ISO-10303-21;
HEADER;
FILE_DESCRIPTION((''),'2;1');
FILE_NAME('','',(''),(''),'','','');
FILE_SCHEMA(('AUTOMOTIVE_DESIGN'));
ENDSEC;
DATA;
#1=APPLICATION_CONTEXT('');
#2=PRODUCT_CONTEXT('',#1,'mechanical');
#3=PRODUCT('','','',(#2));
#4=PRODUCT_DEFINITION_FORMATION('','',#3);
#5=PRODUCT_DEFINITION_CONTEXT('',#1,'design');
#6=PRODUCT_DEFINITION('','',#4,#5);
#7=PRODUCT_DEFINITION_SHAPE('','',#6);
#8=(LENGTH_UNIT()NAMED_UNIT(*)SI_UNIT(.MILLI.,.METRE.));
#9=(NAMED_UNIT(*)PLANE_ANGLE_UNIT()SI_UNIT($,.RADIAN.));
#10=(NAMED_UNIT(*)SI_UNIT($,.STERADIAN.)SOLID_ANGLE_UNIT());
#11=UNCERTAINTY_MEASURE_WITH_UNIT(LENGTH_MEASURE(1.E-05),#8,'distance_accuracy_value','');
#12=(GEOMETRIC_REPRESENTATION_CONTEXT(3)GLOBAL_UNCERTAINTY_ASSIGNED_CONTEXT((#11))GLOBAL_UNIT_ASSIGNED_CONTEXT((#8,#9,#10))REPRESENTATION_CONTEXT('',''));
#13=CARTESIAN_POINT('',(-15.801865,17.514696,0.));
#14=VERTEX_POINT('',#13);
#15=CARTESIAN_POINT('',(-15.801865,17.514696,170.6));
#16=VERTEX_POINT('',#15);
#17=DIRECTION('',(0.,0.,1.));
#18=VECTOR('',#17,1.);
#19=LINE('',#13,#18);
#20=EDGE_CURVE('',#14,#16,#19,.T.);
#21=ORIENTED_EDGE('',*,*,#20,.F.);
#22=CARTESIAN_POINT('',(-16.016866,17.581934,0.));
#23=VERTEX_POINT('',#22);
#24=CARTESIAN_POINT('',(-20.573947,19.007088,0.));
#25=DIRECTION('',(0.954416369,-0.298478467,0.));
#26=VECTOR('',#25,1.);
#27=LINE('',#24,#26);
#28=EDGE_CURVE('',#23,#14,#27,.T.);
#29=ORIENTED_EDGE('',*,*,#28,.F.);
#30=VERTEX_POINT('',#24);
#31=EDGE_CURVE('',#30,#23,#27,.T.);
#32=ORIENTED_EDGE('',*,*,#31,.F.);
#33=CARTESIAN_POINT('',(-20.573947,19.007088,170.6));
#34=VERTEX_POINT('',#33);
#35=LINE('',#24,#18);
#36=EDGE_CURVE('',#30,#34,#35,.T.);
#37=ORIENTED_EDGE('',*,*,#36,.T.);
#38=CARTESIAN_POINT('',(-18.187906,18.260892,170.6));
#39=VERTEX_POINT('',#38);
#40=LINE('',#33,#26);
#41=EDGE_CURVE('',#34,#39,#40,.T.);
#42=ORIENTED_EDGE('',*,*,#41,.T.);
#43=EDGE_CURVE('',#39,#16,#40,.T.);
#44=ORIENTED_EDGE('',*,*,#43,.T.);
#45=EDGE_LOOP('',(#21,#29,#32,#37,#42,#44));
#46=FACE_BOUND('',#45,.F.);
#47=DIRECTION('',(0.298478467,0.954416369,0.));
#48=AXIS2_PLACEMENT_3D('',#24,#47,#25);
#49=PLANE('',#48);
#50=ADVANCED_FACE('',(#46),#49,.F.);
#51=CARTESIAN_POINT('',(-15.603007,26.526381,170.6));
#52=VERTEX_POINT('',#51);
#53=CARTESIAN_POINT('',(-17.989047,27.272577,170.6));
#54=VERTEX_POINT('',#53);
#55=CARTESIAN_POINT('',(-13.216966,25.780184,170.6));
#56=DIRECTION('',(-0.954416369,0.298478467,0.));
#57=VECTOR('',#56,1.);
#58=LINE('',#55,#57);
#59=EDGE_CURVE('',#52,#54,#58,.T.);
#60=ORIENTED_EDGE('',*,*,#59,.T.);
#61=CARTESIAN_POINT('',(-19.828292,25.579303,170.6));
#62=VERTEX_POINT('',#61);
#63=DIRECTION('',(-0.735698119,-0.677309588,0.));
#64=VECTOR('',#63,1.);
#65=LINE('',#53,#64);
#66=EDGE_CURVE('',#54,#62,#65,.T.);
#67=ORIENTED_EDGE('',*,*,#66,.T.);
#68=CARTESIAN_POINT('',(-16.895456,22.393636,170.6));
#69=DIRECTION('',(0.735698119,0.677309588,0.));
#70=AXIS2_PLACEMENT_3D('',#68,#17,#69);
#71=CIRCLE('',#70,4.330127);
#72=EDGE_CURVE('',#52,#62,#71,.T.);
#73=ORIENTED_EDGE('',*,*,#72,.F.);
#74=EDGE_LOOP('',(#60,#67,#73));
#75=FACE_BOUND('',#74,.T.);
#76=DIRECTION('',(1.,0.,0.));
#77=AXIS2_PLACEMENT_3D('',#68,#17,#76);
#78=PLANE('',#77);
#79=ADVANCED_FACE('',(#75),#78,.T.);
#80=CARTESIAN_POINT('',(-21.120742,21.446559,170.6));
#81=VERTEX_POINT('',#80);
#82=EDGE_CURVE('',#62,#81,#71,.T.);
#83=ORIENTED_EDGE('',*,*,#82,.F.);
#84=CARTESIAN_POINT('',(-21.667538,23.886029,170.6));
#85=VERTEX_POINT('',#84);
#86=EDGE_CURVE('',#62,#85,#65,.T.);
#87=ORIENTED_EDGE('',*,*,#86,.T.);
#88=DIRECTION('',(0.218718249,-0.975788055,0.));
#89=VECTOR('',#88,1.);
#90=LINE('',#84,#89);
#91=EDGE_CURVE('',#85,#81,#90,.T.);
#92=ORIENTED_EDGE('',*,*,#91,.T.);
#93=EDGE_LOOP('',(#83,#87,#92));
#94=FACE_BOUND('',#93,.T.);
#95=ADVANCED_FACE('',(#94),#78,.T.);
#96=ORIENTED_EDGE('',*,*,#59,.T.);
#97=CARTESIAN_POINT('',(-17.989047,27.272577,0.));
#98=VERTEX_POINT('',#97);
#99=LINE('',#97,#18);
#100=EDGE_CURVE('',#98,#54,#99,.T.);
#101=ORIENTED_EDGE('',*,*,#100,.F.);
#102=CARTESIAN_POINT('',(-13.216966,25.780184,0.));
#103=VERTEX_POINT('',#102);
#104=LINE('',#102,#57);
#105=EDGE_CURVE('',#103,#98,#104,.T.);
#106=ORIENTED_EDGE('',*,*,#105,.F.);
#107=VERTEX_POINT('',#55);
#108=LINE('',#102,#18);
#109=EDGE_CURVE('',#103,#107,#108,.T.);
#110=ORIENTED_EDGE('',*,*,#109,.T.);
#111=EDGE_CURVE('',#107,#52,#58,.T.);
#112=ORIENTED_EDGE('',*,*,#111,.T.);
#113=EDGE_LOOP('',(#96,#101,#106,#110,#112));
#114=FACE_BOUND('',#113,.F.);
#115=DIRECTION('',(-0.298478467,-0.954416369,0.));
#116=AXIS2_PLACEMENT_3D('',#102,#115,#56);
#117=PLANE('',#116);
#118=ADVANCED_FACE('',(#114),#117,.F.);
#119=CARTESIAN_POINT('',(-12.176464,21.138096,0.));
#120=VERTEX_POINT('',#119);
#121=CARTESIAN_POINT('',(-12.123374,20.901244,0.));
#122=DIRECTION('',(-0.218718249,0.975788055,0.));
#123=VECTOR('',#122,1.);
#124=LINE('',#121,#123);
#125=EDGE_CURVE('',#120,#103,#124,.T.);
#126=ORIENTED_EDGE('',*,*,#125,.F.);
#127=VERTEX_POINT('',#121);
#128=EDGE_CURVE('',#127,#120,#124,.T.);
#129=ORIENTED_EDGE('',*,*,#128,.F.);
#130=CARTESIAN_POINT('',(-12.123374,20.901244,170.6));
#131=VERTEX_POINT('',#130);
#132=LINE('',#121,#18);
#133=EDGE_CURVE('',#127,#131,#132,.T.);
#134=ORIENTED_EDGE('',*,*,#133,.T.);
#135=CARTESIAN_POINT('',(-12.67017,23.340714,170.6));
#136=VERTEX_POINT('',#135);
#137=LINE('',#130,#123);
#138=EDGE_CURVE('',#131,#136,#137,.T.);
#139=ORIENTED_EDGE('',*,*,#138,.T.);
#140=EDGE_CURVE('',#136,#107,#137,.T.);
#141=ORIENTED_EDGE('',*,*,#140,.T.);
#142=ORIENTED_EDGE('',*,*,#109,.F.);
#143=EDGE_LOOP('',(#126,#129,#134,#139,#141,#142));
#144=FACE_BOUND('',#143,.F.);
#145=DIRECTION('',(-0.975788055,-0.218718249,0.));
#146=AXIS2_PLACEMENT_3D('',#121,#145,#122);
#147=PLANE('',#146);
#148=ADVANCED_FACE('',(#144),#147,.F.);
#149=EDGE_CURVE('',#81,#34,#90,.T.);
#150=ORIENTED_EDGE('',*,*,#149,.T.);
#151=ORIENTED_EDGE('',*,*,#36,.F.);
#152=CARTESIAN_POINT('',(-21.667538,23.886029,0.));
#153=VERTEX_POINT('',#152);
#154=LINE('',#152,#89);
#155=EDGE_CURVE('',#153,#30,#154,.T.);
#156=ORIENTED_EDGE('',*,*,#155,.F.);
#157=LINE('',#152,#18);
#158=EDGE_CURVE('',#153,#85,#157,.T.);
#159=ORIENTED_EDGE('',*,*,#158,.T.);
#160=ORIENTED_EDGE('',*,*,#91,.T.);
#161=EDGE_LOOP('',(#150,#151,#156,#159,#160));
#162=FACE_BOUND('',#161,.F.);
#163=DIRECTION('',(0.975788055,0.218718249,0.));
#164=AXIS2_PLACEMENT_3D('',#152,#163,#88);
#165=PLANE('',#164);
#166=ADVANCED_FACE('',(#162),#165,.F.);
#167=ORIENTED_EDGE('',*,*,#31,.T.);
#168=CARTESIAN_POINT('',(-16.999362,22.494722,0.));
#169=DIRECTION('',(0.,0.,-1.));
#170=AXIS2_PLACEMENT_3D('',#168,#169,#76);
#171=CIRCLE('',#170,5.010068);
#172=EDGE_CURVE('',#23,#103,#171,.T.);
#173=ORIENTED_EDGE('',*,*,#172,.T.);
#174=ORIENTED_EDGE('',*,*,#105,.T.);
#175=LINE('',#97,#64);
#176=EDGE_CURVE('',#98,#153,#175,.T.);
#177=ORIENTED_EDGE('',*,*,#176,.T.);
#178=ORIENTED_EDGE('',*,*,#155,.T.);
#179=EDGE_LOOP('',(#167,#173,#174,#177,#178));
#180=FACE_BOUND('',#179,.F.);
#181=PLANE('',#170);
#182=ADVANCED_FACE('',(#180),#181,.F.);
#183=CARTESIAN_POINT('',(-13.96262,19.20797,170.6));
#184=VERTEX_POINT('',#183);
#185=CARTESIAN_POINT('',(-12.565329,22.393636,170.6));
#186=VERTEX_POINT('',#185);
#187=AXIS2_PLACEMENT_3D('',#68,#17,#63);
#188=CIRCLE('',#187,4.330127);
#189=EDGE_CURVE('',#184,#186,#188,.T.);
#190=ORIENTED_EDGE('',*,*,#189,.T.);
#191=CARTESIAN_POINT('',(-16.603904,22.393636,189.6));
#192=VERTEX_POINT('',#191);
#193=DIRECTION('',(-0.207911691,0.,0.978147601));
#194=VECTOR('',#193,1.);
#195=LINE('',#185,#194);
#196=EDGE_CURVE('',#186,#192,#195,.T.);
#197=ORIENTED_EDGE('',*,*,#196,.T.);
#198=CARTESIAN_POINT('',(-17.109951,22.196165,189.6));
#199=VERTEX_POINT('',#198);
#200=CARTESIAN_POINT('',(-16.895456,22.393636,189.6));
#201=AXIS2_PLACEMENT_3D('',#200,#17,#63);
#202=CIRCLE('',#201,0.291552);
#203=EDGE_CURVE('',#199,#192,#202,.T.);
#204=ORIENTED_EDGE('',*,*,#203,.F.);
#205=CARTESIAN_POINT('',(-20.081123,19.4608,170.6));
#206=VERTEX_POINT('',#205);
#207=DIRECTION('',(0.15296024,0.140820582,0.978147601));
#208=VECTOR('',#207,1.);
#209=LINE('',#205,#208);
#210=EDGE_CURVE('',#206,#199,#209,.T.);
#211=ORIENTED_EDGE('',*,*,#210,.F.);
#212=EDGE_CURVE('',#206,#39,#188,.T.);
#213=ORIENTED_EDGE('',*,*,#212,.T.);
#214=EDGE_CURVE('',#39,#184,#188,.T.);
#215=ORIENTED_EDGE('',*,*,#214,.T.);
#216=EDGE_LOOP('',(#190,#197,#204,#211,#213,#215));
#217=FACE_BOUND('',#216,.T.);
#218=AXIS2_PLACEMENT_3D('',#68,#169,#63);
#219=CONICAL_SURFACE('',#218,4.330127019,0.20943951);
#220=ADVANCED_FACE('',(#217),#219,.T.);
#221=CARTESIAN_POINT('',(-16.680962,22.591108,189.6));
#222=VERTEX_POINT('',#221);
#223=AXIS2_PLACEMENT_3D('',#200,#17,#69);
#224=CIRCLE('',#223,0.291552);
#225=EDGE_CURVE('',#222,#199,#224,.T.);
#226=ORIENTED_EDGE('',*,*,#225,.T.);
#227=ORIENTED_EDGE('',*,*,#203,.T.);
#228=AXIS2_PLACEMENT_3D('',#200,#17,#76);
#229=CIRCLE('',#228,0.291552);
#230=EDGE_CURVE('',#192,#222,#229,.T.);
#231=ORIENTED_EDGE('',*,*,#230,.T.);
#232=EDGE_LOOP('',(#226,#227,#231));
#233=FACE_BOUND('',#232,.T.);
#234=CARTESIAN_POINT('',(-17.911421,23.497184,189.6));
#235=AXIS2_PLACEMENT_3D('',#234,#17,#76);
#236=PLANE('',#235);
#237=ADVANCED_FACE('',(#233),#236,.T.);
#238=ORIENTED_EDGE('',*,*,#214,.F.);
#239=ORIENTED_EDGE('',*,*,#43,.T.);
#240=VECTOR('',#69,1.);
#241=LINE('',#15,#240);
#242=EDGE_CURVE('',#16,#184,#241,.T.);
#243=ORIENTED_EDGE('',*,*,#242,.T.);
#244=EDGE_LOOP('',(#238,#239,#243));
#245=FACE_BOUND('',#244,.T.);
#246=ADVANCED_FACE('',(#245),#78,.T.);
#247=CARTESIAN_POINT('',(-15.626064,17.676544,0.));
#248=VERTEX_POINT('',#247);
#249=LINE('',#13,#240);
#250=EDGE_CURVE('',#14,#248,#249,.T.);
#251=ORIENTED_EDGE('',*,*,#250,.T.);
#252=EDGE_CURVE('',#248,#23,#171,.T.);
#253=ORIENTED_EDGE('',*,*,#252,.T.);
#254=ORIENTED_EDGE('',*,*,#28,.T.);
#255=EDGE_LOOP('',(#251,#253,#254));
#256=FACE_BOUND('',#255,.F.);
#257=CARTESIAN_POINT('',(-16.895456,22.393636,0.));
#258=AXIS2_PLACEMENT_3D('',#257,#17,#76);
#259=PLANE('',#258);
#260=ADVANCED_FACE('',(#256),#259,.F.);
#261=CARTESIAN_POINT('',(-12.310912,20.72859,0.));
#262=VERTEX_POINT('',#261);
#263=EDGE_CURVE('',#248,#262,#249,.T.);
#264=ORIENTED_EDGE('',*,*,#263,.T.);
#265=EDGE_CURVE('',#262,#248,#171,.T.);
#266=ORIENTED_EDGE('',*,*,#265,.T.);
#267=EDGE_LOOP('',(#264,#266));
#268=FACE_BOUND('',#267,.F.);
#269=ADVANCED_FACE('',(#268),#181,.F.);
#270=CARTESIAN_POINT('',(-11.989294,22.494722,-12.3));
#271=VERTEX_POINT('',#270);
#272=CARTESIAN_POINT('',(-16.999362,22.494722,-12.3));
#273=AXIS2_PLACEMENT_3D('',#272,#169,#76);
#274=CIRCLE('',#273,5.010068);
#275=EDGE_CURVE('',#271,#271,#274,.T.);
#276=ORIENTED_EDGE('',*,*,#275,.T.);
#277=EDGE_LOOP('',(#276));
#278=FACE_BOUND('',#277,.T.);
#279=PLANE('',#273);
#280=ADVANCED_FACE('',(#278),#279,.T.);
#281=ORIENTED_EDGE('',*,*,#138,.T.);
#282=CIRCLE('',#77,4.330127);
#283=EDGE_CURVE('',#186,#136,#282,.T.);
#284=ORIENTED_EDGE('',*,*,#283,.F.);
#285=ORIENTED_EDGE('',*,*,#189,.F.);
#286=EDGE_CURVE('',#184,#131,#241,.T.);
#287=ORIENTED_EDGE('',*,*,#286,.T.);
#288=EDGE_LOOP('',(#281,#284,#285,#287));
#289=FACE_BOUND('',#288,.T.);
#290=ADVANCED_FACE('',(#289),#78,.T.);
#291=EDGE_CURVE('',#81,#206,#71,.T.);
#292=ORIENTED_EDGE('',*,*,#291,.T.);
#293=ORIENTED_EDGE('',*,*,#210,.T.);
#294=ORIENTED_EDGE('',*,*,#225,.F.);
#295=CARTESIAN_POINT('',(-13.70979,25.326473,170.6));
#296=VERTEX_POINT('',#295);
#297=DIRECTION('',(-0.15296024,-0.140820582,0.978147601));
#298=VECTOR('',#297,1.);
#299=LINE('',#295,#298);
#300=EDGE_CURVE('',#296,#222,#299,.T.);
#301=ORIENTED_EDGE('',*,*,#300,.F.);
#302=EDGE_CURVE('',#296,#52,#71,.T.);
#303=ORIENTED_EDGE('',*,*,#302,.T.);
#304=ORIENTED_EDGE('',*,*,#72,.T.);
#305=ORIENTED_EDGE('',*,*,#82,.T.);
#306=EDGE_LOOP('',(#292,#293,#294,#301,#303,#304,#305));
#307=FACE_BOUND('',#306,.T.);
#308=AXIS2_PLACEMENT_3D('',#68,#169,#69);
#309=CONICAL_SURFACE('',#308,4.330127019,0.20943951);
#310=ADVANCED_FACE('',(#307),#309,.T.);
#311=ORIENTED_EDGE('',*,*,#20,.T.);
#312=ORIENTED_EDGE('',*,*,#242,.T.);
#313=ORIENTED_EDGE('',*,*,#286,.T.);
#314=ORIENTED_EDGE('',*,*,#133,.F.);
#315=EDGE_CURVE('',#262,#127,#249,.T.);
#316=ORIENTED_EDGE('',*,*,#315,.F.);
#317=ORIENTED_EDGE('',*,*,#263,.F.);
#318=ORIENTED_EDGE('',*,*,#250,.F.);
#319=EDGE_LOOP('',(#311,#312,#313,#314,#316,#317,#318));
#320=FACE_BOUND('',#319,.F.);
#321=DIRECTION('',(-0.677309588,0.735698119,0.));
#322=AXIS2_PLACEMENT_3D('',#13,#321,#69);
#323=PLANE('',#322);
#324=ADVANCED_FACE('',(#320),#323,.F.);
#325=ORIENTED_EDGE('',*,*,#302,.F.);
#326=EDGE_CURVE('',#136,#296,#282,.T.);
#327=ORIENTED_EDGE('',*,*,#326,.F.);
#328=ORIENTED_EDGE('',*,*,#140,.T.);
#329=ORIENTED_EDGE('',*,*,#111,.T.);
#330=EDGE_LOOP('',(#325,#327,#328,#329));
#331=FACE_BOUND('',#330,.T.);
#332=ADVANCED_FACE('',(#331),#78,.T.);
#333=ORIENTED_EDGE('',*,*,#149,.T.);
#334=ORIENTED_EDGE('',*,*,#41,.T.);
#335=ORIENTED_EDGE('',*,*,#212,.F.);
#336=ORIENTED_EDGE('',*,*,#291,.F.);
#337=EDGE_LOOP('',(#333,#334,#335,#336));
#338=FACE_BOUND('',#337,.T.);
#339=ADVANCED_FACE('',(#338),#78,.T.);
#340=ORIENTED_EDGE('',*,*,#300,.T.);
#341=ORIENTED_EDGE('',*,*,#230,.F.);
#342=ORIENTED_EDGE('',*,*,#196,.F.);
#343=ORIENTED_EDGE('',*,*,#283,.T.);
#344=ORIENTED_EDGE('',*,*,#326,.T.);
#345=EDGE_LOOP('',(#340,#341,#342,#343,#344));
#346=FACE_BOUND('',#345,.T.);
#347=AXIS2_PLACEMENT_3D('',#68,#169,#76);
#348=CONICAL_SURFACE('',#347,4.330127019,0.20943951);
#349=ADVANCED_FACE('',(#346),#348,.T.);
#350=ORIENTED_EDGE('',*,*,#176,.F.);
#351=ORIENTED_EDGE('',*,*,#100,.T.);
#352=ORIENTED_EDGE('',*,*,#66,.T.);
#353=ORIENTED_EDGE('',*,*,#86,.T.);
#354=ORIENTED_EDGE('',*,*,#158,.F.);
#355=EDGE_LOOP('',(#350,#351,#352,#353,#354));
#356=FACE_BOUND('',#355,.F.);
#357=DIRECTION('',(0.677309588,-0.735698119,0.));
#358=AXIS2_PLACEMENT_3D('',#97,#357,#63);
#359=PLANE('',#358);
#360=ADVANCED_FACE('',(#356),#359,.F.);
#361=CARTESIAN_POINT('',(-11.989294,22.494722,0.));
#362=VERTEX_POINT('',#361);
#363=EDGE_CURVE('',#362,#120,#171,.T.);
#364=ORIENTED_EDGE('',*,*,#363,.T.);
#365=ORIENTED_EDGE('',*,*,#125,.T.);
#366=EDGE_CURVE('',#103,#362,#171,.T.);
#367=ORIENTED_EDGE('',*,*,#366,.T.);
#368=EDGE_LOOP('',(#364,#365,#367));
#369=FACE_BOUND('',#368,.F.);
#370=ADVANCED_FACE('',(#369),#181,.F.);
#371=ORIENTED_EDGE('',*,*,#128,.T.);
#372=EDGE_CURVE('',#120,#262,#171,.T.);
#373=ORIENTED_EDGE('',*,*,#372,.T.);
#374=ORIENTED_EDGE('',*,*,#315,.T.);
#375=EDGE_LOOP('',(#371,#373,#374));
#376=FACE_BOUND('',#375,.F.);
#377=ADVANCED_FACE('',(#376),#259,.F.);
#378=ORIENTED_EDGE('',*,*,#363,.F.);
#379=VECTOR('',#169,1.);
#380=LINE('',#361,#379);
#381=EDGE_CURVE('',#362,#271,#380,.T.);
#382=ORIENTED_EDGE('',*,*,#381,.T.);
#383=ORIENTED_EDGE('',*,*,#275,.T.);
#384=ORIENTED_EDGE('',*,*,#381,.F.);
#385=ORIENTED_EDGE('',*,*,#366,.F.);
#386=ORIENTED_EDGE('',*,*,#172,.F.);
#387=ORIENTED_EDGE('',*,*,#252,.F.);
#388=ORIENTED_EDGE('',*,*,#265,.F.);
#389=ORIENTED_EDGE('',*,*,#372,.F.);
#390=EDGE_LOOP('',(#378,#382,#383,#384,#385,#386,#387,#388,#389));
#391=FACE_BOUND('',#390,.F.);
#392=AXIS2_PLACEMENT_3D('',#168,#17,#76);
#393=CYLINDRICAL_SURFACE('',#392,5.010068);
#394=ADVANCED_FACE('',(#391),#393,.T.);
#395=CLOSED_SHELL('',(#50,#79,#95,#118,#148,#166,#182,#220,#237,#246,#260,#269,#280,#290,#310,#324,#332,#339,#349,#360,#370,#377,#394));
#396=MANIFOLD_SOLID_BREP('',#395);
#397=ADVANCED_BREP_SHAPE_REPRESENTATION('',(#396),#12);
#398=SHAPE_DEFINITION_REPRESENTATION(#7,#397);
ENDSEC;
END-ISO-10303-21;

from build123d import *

# Parameters (mm, degrees)
F1_DEPTH = 170.6
F2_R     = 5.0100682876
F3_DEPTH = 12.3
F5_DEPTH = 19
F5_TAPER = 12


with BuildPart() as f1:
    # F0 (on Top) → F1 (new body)
    with BuildSketch(Plane.XY):
        Polygon((-15.8018649923, 17.5146961328), (-12.1233743963, 20.9012440706), (-13.2169656436, 25.7801843433), (-17.9890474869, 27.2725766781), (-21.6675380829, 23.8860287403), (-20.5739468356, 19.0070884677), align=None)
    extrude(amount=F1_DEPTH)

    # F2 (on face) → F3 (join)
    with BuildSketch(Plane(origin=(0, 0, 0), x_dir=(1, 0, 0), z_dir=(0, 0, -1))):
        with Locations((-16.9993620366, -22.4947221577)):
            Circle(F2_R)
    extrude(amount=F3_DEPTH)

    # F4 (on face) → F5 (join)
    with BuildSketch(Plane.XY.offset(170.6)):
        with BuildLine():
            ThreePointArc((-13.7097899359, 25.3264729507), (-19.8282927849, 25.5793027092), (-20.0811225433, 19.4607998602))
            Line((-20.0811225433, 19.4607998602), (-13.7097899359, 25.3264729507))
        make_face()
        with BuildLine():
            Line((-13.7097899359, 25.3264729507), (-20.0811225433, 19.4607998602))
            ThreePointArc((-20.0811225433, 19.4607998602), (-15.3213437492, 18.3597586349), (-12.5653292207, 22.3936364055))
            ThreePointArc((-12.5653292207, 22.3936364055), (-12.8615784691, 23.9677488959), (-13.7097899359, 25.3264729507))
        make_face()
    extrude(amount=F5_DEPTH, taper=F5_TAPER)


solid = f1.part
